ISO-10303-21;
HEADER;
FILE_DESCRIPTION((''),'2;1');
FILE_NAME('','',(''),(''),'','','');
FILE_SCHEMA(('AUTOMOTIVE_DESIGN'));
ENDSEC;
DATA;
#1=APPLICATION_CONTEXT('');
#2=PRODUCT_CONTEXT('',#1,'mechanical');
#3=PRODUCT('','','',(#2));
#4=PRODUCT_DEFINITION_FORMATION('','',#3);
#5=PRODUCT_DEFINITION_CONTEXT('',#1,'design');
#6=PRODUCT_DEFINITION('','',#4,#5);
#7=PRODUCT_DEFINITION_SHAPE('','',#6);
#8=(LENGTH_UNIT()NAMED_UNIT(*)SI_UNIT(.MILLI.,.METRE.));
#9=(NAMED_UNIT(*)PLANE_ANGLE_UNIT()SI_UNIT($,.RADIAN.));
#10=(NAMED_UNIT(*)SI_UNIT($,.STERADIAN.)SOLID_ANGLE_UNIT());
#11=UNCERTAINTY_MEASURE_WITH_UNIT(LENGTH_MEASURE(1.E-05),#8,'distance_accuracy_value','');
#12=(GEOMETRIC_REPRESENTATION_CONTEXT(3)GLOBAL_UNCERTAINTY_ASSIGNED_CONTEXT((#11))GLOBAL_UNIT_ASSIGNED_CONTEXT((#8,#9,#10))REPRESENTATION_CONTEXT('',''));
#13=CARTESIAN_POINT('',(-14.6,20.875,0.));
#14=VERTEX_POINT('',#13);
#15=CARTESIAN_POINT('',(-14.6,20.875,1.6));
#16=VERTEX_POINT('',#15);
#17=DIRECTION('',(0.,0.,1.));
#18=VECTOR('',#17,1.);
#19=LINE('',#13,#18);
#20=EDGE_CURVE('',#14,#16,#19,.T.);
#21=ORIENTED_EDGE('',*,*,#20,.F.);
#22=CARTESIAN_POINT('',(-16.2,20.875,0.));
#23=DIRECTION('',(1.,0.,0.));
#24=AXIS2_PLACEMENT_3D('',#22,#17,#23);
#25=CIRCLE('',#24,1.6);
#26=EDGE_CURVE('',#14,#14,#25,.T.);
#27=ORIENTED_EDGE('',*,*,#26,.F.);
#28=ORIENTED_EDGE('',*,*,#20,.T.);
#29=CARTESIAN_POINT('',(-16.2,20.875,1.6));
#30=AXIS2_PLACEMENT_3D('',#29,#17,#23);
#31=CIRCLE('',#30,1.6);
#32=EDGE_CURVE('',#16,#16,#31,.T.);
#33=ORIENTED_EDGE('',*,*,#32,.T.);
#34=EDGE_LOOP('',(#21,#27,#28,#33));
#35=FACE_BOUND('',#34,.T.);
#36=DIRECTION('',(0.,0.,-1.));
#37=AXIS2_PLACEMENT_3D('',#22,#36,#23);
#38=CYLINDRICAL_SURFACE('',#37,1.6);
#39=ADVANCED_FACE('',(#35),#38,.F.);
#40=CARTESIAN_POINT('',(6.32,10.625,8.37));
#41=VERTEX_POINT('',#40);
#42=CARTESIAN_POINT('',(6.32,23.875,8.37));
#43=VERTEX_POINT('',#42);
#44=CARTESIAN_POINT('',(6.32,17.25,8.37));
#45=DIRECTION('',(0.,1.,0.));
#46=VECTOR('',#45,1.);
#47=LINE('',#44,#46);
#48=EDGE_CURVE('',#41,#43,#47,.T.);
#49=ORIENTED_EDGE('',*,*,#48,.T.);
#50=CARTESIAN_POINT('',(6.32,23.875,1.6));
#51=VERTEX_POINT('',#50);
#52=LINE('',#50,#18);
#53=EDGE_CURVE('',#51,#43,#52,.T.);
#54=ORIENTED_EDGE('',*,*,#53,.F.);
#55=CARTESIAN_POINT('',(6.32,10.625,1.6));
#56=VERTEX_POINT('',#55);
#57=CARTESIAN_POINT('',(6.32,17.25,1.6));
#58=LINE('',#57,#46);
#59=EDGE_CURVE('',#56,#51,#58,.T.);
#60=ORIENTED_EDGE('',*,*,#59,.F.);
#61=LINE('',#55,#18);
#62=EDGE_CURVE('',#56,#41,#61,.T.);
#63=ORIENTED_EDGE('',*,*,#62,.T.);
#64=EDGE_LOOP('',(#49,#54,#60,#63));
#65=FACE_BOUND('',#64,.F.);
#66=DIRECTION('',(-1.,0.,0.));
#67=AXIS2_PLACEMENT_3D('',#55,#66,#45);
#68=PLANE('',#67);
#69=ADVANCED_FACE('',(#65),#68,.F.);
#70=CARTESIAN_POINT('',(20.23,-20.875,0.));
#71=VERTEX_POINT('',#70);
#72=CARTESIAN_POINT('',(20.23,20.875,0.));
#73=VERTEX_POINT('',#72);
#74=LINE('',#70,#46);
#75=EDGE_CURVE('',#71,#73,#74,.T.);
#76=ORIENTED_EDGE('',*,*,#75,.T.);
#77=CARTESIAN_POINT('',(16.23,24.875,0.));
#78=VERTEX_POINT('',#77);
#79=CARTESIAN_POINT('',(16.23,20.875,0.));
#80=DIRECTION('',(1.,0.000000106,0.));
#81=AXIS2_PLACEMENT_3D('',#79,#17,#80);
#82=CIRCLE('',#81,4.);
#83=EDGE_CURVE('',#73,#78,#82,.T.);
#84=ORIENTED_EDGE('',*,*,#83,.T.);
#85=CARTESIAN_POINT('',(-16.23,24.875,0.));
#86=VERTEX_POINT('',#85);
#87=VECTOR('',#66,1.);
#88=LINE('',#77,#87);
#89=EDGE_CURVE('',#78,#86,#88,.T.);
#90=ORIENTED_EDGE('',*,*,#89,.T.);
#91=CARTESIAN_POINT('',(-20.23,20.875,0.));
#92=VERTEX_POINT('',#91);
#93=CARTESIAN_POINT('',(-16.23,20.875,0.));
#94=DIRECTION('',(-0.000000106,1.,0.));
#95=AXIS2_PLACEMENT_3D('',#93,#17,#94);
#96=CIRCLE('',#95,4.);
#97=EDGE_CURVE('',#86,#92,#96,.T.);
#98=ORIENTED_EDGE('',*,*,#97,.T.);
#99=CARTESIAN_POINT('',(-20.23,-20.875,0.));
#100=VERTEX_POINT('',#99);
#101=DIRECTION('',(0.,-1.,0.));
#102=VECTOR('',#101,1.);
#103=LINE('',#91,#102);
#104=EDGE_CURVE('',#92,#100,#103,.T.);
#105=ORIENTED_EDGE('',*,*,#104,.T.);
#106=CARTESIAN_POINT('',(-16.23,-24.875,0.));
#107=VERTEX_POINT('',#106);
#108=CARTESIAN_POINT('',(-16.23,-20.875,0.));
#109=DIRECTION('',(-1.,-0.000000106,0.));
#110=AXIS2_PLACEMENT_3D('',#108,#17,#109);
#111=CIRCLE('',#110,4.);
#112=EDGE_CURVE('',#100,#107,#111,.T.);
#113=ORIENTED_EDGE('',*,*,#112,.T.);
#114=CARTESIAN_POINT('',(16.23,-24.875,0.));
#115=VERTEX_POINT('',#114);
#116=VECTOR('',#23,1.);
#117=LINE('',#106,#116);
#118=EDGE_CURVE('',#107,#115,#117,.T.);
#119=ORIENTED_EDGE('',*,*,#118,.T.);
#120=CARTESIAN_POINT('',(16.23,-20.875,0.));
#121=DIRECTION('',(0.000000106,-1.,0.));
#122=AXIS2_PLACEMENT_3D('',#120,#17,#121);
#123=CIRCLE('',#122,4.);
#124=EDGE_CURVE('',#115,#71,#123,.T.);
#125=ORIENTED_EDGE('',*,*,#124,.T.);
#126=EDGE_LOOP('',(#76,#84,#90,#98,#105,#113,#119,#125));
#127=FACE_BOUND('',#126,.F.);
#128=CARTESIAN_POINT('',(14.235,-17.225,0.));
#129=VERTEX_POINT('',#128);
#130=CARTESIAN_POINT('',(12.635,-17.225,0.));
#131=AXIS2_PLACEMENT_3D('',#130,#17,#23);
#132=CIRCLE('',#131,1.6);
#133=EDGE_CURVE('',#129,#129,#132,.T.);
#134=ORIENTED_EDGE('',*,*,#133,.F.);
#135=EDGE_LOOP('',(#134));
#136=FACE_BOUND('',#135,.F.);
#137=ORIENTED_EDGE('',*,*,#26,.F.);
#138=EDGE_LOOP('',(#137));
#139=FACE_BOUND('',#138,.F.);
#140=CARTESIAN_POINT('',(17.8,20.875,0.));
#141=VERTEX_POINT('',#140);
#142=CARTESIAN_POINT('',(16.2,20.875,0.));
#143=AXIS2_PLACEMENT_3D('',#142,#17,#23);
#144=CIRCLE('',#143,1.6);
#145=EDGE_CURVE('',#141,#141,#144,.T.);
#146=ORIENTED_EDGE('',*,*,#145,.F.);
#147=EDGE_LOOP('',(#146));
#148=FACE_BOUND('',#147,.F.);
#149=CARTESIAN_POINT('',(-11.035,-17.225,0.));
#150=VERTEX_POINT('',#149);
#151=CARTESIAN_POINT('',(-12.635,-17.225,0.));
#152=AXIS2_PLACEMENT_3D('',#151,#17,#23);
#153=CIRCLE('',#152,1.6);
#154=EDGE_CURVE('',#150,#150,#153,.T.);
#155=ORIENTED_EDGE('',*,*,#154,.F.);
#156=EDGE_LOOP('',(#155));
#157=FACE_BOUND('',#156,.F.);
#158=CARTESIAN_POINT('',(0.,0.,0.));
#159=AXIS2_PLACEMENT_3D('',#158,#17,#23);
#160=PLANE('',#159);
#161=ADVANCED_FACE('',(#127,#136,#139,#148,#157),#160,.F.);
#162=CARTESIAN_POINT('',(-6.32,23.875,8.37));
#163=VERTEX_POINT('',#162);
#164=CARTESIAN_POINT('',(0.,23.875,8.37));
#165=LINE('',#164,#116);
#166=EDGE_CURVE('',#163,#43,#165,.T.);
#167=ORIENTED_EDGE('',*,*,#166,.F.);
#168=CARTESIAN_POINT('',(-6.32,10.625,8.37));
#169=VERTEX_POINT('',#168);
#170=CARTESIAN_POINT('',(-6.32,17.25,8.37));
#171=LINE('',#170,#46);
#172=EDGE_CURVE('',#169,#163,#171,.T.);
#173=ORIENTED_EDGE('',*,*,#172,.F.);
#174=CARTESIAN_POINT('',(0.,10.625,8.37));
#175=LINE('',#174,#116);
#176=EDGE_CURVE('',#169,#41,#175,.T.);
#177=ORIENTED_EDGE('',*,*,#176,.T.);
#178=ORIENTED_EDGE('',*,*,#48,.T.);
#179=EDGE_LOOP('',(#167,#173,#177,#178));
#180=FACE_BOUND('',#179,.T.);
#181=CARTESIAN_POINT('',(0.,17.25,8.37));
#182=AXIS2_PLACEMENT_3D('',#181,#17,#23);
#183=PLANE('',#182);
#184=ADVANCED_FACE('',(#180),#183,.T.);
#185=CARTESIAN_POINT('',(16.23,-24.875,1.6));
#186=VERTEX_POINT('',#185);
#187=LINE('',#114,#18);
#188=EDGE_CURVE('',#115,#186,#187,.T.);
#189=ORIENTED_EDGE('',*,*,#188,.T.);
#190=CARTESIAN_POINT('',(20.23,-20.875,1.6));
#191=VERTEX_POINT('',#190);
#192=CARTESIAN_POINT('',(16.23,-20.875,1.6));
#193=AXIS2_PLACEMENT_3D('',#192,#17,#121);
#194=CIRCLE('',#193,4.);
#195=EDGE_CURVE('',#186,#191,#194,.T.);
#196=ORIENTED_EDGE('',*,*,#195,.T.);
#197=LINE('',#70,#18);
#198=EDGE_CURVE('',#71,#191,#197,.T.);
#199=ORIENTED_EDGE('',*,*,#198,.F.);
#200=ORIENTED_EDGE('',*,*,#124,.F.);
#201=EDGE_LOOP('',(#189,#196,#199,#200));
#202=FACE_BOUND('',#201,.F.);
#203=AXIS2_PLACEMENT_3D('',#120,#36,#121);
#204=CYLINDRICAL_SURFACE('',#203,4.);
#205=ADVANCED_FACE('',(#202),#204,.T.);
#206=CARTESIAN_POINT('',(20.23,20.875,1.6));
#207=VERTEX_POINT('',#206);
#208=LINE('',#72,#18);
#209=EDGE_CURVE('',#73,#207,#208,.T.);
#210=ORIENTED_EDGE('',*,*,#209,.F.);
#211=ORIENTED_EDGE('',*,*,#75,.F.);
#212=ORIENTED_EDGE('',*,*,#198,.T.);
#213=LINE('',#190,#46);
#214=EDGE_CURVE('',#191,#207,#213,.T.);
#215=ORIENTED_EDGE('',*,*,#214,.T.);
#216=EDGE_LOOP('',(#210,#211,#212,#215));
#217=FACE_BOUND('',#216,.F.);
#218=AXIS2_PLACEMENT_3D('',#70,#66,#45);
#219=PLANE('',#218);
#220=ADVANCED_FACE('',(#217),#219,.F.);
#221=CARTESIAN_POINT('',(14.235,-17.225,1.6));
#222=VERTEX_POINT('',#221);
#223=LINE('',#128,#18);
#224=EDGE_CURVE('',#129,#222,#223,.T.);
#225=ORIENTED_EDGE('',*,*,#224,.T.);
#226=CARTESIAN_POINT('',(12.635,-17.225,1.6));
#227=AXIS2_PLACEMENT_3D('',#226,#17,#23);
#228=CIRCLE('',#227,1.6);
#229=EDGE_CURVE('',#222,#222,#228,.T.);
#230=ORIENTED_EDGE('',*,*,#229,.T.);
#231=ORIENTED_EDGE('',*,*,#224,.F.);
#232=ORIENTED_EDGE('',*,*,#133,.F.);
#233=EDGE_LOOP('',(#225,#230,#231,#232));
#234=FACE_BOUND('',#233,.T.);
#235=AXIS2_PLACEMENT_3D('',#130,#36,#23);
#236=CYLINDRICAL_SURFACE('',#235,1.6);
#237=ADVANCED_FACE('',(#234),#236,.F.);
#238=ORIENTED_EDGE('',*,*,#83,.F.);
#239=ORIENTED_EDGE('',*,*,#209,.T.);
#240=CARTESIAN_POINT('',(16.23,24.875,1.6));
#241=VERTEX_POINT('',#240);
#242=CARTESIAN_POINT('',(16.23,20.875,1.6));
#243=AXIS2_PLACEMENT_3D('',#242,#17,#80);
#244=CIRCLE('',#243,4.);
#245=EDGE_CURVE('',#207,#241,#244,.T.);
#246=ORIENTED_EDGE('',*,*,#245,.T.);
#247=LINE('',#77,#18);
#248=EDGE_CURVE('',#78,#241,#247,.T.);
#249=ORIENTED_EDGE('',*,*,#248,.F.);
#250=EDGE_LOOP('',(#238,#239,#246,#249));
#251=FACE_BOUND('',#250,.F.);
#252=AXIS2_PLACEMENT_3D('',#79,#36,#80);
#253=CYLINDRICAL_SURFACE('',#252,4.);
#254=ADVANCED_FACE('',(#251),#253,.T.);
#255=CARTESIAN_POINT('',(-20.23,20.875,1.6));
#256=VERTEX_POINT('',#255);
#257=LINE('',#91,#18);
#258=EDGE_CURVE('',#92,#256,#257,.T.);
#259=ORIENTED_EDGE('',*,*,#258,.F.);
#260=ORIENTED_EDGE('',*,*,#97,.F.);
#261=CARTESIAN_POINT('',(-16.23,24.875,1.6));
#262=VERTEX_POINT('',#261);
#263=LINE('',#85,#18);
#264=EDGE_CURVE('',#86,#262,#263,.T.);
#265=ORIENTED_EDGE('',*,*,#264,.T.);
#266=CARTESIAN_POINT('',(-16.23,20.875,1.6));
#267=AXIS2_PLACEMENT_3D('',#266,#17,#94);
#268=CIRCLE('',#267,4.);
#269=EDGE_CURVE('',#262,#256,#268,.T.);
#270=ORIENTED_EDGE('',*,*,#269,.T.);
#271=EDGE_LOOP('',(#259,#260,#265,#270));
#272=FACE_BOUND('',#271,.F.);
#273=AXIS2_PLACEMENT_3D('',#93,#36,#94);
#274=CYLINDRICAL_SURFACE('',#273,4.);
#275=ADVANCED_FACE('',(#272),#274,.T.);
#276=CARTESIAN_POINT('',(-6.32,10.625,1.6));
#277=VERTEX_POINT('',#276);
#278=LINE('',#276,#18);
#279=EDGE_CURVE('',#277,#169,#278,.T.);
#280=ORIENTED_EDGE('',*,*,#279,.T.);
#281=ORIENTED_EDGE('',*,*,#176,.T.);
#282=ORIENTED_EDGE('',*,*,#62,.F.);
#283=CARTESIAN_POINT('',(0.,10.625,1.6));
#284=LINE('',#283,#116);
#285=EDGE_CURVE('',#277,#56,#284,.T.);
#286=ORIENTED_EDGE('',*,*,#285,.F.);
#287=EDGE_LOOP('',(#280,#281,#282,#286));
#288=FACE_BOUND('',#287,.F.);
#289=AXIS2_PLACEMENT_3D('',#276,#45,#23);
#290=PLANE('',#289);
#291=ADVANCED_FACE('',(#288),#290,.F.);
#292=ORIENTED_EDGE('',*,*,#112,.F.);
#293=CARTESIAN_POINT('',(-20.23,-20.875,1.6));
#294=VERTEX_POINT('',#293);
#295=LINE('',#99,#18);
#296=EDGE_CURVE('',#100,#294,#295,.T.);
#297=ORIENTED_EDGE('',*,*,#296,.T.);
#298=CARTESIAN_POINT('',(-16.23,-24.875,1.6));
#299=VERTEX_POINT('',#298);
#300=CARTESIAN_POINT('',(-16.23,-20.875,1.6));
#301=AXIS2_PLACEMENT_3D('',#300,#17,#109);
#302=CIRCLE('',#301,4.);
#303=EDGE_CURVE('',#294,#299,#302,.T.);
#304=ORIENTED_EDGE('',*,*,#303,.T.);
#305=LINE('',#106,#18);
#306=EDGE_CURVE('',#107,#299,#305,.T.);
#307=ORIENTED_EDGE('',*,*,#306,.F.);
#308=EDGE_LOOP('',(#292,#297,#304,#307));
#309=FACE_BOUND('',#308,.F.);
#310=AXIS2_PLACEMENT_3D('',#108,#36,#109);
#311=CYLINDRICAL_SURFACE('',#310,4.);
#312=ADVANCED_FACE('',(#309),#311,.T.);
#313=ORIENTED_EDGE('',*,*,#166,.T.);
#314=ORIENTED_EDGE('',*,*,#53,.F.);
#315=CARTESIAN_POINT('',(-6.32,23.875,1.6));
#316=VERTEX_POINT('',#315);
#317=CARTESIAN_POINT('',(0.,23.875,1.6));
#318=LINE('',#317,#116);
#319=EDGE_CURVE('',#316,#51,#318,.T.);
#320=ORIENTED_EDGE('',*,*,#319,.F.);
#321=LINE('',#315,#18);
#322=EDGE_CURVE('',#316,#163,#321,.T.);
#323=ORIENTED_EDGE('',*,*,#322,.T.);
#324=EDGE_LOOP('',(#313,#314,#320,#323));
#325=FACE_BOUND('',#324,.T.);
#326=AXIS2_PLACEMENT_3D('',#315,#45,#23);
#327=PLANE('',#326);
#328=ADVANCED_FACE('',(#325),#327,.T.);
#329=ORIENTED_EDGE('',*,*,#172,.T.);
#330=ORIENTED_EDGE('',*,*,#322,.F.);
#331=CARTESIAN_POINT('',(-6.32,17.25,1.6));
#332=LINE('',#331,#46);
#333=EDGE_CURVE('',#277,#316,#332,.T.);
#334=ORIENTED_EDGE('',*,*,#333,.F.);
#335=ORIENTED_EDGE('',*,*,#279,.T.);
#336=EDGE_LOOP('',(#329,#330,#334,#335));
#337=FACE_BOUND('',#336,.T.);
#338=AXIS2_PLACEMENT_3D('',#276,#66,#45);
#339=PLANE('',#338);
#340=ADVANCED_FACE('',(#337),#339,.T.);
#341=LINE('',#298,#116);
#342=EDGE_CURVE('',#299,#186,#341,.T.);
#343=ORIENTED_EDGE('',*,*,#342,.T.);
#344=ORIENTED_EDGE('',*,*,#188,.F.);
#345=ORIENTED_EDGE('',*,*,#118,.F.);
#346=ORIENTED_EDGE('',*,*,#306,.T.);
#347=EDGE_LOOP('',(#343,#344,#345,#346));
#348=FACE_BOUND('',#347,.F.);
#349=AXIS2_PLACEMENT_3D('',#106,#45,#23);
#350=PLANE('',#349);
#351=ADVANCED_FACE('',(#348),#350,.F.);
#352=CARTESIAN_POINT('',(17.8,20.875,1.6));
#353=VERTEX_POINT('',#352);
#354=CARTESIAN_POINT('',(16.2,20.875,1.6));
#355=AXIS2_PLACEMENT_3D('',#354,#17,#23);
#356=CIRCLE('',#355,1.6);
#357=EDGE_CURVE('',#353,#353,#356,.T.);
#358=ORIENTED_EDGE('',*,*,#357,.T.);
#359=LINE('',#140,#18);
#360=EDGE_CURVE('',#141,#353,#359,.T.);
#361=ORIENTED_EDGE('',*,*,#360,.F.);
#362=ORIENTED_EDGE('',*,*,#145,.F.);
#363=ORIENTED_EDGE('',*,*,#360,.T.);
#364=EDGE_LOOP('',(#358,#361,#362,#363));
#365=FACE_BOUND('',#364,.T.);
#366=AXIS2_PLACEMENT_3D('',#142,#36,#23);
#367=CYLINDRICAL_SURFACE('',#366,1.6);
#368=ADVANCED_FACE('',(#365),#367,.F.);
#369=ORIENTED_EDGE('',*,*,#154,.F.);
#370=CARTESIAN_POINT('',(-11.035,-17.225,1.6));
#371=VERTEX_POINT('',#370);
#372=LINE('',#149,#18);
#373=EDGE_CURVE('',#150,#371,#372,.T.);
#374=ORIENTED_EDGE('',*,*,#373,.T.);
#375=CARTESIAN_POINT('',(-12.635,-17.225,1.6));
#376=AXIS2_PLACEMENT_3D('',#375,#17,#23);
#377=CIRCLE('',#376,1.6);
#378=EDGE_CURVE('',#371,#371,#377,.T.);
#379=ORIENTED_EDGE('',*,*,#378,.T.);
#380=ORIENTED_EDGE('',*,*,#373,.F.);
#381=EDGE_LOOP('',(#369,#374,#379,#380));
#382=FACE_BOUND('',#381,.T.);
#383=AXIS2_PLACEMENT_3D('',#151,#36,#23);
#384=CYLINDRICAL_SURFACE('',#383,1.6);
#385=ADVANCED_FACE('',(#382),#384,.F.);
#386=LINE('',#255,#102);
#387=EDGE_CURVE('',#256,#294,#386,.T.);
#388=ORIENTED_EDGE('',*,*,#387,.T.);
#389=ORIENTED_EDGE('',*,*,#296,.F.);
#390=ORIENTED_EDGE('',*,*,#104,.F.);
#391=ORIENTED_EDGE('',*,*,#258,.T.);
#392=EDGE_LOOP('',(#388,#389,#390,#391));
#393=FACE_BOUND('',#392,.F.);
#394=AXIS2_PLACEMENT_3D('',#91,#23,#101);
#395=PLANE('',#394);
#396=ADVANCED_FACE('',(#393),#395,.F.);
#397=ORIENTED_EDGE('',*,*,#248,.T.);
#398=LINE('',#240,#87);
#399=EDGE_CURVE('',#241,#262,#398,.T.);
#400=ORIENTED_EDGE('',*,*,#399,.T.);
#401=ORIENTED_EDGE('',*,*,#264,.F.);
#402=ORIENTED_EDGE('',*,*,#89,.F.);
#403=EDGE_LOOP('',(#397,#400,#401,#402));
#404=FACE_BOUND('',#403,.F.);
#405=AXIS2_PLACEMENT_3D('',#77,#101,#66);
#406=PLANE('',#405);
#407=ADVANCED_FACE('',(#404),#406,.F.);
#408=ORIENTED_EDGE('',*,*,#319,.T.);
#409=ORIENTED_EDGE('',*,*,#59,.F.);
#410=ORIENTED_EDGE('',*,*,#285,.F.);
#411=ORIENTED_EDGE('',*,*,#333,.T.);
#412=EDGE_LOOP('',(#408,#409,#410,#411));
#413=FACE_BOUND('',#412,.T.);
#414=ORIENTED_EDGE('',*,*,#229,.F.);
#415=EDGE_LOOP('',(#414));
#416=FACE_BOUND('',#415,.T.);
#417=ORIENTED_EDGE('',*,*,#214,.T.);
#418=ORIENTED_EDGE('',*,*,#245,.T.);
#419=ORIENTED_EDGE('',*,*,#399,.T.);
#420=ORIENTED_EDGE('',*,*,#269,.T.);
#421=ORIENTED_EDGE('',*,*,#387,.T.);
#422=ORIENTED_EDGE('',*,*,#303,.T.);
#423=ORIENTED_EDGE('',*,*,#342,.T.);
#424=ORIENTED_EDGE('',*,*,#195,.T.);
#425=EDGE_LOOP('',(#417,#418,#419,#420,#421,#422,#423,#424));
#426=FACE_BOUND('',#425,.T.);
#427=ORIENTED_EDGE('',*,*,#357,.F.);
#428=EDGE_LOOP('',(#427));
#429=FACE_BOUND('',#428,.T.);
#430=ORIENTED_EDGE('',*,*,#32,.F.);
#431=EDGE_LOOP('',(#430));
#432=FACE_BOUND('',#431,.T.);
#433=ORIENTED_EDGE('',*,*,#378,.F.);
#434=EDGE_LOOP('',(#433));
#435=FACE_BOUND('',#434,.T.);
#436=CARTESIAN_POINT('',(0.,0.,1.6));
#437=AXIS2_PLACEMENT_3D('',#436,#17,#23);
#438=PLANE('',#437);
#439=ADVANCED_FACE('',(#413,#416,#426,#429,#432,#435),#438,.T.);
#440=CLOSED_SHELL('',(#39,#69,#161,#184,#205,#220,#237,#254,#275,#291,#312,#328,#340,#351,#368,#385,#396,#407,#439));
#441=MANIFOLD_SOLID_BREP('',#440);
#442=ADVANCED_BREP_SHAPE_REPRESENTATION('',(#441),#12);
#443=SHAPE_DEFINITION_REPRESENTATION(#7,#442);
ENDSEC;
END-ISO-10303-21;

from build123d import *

# Parameters (mm, degrees)
F0_R     = 1.6
F1_DEPTH = 1.6
F2_W     = 12.64
F2_H     = 13.25
F3_DEPTH = 6.77


with BuildPart() as f1:
    # F0 (on Top) → F1 (new body)
    with BuildSketch(Plane.XY):
        with BuildLine():
            Line((-16.23, -24.875), (16.23, -24.875))
            ThreePointArc((16.23, -24.875), (19.058427, -23.703427), (20.23, -20.875))
            Line((20.23, -20.875), (20.23, 20.875))
            ThreePointArc((20.23, 20.875), (19.058427, 23.703427), (16.23, 24.875))
            Line((16.23, 24.875), (-16.23, 24.875))
            ThreePointArc((-16.23, 24.875), (-19.058427, 23.703427), (-20.23, 20.875))
            Line((-20.23, 20.875), (-20.23, -20.875))
            ThreePointArc((-20.23, -20.875), (-19.058427, -23.703427), (-16.23, -24.875))
        make_face()
        with Locations((-12.635, -17.225)):
            Circle(F0_R, mode=Mode.SUBTRACT)
        with Locations((12.635, -17.225)):
            Circle(F0_R, mode=Mode.SUBTRACT)
        with Locations((-16.2, 20.875)):
            Circle(F0_R, mode=Mode.SUBTRACT)
        with Locations((16.2, 20.875)):
            Circle(F0_R, mode=Mode.SUBTRACT)
    extrude(amount=F1_DEPTH)

    # F2 (on face) → F3 (join)
    with BuildSketch(Plane.XY.offset(1.6)):
        with Locations((0, 17.25)):
            Rectangle(F2_W, F2_H)
    extrude(amount=F3_DEPTH)


solid = f1.part
